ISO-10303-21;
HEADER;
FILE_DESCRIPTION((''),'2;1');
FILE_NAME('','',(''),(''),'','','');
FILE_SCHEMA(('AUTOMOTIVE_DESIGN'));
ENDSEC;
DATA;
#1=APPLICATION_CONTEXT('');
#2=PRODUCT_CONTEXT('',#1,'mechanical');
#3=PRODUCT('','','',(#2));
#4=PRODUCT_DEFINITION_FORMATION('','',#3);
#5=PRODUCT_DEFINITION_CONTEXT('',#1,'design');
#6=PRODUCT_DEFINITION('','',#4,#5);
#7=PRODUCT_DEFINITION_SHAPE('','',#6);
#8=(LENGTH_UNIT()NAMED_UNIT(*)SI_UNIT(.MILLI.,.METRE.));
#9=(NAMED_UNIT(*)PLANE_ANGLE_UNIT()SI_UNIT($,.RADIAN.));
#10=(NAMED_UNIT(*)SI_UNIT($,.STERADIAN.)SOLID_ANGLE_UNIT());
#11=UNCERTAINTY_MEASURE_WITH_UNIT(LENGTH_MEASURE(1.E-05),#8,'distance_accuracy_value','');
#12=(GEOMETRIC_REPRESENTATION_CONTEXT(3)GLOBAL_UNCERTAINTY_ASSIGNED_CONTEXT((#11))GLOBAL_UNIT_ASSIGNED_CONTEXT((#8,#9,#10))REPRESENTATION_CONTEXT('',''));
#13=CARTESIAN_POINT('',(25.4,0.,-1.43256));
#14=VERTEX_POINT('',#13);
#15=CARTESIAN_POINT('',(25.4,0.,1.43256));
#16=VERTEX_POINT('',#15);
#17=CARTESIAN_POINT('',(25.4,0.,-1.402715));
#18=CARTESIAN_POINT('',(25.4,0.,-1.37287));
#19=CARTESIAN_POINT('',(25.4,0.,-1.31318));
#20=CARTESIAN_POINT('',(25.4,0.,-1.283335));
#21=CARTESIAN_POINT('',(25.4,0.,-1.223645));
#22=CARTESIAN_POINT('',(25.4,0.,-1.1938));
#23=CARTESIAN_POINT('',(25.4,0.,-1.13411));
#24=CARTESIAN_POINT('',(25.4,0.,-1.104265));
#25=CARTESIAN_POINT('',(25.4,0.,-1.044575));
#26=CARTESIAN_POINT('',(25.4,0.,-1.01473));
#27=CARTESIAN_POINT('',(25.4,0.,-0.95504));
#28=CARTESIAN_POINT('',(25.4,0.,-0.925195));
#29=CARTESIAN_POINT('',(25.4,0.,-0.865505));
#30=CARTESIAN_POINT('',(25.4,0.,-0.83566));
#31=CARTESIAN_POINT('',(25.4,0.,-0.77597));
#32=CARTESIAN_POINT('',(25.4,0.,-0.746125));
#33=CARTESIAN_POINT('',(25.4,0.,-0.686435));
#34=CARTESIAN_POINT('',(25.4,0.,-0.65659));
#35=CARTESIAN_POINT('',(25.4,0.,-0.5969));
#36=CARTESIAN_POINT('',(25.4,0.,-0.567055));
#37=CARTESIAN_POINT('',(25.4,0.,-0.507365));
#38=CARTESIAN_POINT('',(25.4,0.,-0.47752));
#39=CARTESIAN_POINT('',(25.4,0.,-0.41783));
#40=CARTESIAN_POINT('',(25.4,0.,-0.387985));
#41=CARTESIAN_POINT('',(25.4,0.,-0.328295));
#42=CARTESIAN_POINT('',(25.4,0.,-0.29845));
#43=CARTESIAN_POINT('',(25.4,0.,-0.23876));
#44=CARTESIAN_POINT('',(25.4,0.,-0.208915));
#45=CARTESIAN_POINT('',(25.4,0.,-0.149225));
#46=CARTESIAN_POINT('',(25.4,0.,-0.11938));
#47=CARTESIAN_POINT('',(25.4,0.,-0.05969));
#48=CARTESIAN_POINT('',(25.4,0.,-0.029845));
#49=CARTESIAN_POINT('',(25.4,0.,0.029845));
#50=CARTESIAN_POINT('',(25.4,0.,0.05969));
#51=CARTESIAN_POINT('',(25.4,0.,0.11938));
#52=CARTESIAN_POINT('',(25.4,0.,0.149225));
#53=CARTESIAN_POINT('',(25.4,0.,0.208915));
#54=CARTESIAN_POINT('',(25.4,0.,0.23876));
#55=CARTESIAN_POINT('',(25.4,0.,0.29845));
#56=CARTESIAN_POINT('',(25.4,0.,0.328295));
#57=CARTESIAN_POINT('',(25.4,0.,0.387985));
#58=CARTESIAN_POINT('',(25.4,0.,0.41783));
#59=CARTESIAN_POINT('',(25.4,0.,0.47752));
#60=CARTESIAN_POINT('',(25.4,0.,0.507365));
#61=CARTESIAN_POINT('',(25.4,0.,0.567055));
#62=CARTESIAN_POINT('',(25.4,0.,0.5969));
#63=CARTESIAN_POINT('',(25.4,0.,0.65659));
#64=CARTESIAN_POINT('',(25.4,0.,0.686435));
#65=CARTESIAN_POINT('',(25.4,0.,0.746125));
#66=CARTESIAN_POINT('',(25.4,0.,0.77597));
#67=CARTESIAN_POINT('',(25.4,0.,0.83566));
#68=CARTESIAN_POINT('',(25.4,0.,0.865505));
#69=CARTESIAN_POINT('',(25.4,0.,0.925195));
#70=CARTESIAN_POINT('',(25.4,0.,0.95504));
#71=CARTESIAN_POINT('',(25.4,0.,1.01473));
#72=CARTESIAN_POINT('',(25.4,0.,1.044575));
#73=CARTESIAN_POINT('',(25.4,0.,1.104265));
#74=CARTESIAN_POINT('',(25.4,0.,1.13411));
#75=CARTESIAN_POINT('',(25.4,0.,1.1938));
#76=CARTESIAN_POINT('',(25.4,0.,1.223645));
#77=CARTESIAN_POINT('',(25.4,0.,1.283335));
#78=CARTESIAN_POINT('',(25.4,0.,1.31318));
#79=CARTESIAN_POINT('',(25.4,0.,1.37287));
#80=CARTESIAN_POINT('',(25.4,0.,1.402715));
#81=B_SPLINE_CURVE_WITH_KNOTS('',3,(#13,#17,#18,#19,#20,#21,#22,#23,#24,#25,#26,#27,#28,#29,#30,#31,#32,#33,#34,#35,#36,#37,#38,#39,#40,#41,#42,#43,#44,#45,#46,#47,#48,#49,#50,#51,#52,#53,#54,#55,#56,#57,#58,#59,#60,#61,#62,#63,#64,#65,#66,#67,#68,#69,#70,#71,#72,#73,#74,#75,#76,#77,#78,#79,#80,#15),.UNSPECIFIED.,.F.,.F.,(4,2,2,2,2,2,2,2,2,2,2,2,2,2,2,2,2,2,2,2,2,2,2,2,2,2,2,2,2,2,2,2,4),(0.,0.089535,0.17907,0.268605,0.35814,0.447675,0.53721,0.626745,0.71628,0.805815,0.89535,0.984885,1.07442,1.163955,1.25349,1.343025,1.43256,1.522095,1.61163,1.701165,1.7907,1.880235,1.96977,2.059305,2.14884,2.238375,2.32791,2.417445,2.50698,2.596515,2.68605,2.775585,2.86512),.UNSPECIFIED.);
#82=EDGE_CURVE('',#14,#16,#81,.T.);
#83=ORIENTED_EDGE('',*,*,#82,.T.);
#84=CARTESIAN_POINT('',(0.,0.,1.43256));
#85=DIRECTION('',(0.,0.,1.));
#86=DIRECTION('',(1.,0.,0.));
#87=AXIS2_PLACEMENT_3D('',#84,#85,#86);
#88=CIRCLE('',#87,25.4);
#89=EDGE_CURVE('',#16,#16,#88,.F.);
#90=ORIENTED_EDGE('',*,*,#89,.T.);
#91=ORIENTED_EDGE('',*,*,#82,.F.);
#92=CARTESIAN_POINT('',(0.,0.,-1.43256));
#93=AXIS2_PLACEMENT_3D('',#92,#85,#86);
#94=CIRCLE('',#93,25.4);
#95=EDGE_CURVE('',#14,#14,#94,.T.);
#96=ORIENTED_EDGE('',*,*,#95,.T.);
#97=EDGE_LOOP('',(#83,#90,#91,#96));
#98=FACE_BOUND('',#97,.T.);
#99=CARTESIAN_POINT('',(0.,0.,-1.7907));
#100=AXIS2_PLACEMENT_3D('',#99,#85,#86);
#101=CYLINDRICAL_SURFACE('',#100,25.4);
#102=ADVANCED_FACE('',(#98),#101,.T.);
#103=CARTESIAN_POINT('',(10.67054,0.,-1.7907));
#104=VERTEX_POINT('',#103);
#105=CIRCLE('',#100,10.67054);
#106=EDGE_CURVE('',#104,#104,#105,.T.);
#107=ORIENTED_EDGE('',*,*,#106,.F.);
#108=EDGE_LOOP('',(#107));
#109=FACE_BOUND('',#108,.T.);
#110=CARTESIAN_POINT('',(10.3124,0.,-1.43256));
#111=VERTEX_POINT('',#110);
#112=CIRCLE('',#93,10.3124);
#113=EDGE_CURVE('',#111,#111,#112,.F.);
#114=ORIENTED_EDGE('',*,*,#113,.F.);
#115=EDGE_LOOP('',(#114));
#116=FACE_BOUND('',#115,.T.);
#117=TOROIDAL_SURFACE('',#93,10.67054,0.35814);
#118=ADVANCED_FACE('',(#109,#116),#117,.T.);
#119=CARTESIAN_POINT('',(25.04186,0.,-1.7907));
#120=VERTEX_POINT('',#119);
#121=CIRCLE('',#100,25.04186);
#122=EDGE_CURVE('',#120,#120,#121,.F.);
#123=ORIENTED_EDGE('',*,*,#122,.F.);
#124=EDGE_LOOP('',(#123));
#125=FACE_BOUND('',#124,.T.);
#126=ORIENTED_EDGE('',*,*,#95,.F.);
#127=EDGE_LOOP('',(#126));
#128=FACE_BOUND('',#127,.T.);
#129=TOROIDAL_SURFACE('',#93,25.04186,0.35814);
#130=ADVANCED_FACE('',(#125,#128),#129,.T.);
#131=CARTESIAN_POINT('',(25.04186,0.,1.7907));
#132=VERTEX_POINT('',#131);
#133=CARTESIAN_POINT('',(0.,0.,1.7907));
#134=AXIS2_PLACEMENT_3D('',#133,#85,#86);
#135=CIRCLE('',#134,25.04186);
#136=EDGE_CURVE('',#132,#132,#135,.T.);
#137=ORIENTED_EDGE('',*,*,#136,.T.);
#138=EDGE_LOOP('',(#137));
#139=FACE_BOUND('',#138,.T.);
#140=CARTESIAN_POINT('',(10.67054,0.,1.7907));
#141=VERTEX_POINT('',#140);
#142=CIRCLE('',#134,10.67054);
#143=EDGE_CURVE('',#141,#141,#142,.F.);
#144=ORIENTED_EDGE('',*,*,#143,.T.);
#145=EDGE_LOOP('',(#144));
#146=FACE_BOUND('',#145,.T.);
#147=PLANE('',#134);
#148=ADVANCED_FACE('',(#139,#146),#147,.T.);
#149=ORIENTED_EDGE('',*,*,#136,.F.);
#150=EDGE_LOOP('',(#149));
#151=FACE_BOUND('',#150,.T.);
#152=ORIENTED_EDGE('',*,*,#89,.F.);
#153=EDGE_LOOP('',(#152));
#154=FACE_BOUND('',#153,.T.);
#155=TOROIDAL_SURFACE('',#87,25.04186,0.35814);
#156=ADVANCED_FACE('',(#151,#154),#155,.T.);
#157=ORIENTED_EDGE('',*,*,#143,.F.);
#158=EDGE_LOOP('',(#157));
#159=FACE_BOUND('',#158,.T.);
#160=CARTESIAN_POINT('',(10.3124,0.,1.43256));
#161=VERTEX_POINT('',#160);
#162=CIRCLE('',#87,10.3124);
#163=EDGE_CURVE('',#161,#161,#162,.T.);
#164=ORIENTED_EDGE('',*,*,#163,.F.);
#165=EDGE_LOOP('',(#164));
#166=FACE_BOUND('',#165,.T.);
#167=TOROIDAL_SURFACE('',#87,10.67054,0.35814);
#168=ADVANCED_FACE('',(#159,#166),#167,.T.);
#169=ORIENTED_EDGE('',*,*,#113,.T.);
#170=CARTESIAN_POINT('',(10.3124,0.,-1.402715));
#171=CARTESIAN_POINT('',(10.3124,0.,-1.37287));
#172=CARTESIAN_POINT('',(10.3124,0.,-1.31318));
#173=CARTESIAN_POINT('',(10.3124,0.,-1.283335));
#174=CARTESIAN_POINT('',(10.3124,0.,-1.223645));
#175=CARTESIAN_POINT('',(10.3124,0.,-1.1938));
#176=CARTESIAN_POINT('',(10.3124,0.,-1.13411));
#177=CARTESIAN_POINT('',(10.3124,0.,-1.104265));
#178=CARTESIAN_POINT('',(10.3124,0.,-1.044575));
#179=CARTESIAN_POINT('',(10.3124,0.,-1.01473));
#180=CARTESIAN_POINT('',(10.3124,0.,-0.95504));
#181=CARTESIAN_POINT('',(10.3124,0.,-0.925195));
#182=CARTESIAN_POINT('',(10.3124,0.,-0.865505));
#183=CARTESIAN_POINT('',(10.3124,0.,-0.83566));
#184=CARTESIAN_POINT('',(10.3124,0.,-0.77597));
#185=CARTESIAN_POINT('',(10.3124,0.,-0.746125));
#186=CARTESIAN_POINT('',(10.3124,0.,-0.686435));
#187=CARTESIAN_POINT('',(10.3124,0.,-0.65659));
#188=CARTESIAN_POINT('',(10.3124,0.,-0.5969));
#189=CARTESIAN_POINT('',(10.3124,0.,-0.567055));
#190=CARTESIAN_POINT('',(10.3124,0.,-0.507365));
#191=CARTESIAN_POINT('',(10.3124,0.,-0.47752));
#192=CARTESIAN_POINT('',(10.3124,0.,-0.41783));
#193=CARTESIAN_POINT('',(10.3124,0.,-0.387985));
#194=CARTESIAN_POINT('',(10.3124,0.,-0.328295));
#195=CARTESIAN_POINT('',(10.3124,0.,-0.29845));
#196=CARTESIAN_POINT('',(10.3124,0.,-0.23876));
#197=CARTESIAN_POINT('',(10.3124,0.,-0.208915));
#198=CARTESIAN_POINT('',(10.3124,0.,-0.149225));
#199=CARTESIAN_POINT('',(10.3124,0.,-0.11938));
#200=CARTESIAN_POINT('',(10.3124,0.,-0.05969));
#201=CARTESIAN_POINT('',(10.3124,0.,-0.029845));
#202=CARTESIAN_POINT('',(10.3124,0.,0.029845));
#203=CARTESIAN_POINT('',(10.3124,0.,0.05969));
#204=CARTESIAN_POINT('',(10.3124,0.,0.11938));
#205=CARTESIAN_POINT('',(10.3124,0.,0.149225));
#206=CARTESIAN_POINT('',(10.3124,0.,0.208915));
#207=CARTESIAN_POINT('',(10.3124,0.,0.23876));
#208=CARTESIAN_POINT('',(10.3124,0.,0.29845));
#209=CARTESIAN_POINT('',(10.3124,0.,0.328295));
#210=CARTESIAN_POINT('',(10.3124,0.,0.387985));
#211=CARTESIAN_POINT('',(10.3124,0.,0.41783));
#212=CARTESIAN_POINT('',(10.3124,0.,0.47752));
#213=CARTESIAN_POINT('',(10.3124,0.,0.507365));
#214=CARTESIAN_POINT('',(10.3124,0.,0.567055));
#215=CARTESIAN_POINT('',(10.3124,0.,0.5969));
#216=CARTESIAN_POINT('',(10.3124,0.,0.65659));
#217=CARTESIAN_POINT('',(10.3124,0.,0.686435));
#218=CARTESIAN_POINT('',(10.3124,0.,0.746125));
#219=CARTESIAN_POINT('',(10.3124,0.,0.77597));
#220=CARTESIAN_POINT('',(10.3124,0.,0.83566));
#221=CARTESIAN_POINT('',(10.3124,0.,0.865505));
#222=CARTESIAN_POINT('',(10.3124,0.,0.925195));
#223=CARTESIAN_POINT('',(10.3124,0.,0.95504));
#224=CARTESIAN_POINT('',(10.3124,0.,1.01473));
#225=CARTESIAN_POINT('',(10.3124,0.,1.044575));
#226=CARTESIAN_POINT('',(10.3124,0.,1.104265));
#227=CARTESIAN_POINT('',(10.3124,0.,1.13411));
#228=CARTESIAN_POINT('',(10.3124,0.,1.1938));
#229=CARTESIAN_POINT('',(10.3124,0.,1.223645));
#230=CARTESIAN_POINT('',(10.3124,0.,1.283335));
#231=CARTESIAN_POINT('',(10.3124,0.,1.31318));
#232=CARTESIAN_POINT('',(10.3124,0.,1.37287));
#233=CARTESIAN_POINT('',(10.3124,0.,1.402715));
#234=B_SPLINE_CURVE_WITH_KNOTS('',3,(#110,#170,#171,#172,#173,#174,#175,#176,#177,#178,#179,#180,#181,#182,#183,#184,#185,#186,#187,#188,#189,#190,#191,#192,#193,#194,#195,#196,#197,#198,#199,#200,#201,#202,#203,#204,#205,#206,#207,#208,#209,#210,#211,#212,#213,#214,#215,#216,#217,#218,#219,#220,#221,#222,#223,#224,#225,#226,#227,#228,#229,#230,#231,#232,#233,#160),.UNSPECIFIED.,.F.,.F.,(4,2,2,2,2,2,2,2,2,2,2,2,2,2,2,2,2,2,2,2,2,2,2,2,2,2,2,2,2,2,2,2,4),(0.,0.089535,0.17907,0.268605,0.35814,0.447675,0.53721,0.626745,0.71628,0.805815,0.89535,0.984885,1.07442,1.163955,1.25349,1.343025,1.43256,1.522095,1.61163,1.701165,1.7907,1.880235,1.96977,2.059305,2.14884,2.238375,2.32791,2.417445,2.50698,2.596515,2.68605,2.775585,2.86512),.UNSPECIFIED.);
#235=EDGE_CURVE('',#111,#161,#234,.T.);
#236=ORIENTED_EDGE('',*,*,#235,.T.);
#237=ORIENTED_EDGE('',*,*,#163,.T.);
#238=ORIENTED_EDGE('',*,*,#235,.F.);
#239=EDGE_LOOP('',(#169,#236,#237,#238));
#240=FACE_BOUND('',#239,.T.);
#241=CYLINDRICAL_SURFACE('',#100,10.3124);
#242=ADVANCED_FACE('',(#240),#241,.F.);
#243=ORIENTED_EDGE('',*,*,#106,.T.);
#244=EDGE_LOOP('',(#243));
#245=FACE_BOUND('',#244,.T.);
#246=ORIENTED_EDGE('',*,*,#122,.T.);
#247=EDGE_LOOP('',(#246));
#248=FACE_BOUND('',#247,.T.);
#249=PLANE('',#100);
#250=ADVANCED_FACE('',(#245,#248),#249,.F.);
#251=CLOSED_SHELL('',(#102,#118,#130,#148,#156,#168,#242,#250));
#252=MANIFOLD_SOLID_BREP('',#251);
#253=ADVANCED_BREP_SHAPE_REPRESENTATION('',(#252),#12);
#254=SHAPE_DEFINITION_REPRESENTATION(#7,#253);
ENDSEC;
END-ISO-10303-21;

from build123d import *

# Parameters (mm, degrees)
BOSS_EXTRUDE1_DEPTH      = 1.7907
BOSS_EXTRUDE1_DEPTH_BACK = 1.7907
SKETCH3_R                = 25.4
SKETCH3_R_2              = 10.3124
FILLET1_R                = 0.35814


with BuildPart() as part:
    # Sketch3 → Boss-Extrude1 (new, two sides: drawn at the far end of the back side and taken through both)
    with BuildSketch(Plane.XY.offset(-BOSS_EXTRUDE1_DEPTH_BACK)):
        Circle(SKETCH3_R)
        Circle(SKETCH3_R_2, mode=Mode.SUBTRACT)
    extrude(amount=BOSS_EXTRUDE1_DEPTH + BOSS_EXTRUDE1_DEPTH_BACK)

    # Fillet1
    fillet1_edges = [part.edges().sort_by_distance(p)[0] for p in [
        (-25.4, 0, -1.7907),
        (-10.3124, 0, -1.7907),
        (-25.4, 0, 1.7907),
        (-10.3124, 0, 1.7907),
    ]]
    fillet(fillet1_edges, radius=FILLET1_R)


solid = part.part
